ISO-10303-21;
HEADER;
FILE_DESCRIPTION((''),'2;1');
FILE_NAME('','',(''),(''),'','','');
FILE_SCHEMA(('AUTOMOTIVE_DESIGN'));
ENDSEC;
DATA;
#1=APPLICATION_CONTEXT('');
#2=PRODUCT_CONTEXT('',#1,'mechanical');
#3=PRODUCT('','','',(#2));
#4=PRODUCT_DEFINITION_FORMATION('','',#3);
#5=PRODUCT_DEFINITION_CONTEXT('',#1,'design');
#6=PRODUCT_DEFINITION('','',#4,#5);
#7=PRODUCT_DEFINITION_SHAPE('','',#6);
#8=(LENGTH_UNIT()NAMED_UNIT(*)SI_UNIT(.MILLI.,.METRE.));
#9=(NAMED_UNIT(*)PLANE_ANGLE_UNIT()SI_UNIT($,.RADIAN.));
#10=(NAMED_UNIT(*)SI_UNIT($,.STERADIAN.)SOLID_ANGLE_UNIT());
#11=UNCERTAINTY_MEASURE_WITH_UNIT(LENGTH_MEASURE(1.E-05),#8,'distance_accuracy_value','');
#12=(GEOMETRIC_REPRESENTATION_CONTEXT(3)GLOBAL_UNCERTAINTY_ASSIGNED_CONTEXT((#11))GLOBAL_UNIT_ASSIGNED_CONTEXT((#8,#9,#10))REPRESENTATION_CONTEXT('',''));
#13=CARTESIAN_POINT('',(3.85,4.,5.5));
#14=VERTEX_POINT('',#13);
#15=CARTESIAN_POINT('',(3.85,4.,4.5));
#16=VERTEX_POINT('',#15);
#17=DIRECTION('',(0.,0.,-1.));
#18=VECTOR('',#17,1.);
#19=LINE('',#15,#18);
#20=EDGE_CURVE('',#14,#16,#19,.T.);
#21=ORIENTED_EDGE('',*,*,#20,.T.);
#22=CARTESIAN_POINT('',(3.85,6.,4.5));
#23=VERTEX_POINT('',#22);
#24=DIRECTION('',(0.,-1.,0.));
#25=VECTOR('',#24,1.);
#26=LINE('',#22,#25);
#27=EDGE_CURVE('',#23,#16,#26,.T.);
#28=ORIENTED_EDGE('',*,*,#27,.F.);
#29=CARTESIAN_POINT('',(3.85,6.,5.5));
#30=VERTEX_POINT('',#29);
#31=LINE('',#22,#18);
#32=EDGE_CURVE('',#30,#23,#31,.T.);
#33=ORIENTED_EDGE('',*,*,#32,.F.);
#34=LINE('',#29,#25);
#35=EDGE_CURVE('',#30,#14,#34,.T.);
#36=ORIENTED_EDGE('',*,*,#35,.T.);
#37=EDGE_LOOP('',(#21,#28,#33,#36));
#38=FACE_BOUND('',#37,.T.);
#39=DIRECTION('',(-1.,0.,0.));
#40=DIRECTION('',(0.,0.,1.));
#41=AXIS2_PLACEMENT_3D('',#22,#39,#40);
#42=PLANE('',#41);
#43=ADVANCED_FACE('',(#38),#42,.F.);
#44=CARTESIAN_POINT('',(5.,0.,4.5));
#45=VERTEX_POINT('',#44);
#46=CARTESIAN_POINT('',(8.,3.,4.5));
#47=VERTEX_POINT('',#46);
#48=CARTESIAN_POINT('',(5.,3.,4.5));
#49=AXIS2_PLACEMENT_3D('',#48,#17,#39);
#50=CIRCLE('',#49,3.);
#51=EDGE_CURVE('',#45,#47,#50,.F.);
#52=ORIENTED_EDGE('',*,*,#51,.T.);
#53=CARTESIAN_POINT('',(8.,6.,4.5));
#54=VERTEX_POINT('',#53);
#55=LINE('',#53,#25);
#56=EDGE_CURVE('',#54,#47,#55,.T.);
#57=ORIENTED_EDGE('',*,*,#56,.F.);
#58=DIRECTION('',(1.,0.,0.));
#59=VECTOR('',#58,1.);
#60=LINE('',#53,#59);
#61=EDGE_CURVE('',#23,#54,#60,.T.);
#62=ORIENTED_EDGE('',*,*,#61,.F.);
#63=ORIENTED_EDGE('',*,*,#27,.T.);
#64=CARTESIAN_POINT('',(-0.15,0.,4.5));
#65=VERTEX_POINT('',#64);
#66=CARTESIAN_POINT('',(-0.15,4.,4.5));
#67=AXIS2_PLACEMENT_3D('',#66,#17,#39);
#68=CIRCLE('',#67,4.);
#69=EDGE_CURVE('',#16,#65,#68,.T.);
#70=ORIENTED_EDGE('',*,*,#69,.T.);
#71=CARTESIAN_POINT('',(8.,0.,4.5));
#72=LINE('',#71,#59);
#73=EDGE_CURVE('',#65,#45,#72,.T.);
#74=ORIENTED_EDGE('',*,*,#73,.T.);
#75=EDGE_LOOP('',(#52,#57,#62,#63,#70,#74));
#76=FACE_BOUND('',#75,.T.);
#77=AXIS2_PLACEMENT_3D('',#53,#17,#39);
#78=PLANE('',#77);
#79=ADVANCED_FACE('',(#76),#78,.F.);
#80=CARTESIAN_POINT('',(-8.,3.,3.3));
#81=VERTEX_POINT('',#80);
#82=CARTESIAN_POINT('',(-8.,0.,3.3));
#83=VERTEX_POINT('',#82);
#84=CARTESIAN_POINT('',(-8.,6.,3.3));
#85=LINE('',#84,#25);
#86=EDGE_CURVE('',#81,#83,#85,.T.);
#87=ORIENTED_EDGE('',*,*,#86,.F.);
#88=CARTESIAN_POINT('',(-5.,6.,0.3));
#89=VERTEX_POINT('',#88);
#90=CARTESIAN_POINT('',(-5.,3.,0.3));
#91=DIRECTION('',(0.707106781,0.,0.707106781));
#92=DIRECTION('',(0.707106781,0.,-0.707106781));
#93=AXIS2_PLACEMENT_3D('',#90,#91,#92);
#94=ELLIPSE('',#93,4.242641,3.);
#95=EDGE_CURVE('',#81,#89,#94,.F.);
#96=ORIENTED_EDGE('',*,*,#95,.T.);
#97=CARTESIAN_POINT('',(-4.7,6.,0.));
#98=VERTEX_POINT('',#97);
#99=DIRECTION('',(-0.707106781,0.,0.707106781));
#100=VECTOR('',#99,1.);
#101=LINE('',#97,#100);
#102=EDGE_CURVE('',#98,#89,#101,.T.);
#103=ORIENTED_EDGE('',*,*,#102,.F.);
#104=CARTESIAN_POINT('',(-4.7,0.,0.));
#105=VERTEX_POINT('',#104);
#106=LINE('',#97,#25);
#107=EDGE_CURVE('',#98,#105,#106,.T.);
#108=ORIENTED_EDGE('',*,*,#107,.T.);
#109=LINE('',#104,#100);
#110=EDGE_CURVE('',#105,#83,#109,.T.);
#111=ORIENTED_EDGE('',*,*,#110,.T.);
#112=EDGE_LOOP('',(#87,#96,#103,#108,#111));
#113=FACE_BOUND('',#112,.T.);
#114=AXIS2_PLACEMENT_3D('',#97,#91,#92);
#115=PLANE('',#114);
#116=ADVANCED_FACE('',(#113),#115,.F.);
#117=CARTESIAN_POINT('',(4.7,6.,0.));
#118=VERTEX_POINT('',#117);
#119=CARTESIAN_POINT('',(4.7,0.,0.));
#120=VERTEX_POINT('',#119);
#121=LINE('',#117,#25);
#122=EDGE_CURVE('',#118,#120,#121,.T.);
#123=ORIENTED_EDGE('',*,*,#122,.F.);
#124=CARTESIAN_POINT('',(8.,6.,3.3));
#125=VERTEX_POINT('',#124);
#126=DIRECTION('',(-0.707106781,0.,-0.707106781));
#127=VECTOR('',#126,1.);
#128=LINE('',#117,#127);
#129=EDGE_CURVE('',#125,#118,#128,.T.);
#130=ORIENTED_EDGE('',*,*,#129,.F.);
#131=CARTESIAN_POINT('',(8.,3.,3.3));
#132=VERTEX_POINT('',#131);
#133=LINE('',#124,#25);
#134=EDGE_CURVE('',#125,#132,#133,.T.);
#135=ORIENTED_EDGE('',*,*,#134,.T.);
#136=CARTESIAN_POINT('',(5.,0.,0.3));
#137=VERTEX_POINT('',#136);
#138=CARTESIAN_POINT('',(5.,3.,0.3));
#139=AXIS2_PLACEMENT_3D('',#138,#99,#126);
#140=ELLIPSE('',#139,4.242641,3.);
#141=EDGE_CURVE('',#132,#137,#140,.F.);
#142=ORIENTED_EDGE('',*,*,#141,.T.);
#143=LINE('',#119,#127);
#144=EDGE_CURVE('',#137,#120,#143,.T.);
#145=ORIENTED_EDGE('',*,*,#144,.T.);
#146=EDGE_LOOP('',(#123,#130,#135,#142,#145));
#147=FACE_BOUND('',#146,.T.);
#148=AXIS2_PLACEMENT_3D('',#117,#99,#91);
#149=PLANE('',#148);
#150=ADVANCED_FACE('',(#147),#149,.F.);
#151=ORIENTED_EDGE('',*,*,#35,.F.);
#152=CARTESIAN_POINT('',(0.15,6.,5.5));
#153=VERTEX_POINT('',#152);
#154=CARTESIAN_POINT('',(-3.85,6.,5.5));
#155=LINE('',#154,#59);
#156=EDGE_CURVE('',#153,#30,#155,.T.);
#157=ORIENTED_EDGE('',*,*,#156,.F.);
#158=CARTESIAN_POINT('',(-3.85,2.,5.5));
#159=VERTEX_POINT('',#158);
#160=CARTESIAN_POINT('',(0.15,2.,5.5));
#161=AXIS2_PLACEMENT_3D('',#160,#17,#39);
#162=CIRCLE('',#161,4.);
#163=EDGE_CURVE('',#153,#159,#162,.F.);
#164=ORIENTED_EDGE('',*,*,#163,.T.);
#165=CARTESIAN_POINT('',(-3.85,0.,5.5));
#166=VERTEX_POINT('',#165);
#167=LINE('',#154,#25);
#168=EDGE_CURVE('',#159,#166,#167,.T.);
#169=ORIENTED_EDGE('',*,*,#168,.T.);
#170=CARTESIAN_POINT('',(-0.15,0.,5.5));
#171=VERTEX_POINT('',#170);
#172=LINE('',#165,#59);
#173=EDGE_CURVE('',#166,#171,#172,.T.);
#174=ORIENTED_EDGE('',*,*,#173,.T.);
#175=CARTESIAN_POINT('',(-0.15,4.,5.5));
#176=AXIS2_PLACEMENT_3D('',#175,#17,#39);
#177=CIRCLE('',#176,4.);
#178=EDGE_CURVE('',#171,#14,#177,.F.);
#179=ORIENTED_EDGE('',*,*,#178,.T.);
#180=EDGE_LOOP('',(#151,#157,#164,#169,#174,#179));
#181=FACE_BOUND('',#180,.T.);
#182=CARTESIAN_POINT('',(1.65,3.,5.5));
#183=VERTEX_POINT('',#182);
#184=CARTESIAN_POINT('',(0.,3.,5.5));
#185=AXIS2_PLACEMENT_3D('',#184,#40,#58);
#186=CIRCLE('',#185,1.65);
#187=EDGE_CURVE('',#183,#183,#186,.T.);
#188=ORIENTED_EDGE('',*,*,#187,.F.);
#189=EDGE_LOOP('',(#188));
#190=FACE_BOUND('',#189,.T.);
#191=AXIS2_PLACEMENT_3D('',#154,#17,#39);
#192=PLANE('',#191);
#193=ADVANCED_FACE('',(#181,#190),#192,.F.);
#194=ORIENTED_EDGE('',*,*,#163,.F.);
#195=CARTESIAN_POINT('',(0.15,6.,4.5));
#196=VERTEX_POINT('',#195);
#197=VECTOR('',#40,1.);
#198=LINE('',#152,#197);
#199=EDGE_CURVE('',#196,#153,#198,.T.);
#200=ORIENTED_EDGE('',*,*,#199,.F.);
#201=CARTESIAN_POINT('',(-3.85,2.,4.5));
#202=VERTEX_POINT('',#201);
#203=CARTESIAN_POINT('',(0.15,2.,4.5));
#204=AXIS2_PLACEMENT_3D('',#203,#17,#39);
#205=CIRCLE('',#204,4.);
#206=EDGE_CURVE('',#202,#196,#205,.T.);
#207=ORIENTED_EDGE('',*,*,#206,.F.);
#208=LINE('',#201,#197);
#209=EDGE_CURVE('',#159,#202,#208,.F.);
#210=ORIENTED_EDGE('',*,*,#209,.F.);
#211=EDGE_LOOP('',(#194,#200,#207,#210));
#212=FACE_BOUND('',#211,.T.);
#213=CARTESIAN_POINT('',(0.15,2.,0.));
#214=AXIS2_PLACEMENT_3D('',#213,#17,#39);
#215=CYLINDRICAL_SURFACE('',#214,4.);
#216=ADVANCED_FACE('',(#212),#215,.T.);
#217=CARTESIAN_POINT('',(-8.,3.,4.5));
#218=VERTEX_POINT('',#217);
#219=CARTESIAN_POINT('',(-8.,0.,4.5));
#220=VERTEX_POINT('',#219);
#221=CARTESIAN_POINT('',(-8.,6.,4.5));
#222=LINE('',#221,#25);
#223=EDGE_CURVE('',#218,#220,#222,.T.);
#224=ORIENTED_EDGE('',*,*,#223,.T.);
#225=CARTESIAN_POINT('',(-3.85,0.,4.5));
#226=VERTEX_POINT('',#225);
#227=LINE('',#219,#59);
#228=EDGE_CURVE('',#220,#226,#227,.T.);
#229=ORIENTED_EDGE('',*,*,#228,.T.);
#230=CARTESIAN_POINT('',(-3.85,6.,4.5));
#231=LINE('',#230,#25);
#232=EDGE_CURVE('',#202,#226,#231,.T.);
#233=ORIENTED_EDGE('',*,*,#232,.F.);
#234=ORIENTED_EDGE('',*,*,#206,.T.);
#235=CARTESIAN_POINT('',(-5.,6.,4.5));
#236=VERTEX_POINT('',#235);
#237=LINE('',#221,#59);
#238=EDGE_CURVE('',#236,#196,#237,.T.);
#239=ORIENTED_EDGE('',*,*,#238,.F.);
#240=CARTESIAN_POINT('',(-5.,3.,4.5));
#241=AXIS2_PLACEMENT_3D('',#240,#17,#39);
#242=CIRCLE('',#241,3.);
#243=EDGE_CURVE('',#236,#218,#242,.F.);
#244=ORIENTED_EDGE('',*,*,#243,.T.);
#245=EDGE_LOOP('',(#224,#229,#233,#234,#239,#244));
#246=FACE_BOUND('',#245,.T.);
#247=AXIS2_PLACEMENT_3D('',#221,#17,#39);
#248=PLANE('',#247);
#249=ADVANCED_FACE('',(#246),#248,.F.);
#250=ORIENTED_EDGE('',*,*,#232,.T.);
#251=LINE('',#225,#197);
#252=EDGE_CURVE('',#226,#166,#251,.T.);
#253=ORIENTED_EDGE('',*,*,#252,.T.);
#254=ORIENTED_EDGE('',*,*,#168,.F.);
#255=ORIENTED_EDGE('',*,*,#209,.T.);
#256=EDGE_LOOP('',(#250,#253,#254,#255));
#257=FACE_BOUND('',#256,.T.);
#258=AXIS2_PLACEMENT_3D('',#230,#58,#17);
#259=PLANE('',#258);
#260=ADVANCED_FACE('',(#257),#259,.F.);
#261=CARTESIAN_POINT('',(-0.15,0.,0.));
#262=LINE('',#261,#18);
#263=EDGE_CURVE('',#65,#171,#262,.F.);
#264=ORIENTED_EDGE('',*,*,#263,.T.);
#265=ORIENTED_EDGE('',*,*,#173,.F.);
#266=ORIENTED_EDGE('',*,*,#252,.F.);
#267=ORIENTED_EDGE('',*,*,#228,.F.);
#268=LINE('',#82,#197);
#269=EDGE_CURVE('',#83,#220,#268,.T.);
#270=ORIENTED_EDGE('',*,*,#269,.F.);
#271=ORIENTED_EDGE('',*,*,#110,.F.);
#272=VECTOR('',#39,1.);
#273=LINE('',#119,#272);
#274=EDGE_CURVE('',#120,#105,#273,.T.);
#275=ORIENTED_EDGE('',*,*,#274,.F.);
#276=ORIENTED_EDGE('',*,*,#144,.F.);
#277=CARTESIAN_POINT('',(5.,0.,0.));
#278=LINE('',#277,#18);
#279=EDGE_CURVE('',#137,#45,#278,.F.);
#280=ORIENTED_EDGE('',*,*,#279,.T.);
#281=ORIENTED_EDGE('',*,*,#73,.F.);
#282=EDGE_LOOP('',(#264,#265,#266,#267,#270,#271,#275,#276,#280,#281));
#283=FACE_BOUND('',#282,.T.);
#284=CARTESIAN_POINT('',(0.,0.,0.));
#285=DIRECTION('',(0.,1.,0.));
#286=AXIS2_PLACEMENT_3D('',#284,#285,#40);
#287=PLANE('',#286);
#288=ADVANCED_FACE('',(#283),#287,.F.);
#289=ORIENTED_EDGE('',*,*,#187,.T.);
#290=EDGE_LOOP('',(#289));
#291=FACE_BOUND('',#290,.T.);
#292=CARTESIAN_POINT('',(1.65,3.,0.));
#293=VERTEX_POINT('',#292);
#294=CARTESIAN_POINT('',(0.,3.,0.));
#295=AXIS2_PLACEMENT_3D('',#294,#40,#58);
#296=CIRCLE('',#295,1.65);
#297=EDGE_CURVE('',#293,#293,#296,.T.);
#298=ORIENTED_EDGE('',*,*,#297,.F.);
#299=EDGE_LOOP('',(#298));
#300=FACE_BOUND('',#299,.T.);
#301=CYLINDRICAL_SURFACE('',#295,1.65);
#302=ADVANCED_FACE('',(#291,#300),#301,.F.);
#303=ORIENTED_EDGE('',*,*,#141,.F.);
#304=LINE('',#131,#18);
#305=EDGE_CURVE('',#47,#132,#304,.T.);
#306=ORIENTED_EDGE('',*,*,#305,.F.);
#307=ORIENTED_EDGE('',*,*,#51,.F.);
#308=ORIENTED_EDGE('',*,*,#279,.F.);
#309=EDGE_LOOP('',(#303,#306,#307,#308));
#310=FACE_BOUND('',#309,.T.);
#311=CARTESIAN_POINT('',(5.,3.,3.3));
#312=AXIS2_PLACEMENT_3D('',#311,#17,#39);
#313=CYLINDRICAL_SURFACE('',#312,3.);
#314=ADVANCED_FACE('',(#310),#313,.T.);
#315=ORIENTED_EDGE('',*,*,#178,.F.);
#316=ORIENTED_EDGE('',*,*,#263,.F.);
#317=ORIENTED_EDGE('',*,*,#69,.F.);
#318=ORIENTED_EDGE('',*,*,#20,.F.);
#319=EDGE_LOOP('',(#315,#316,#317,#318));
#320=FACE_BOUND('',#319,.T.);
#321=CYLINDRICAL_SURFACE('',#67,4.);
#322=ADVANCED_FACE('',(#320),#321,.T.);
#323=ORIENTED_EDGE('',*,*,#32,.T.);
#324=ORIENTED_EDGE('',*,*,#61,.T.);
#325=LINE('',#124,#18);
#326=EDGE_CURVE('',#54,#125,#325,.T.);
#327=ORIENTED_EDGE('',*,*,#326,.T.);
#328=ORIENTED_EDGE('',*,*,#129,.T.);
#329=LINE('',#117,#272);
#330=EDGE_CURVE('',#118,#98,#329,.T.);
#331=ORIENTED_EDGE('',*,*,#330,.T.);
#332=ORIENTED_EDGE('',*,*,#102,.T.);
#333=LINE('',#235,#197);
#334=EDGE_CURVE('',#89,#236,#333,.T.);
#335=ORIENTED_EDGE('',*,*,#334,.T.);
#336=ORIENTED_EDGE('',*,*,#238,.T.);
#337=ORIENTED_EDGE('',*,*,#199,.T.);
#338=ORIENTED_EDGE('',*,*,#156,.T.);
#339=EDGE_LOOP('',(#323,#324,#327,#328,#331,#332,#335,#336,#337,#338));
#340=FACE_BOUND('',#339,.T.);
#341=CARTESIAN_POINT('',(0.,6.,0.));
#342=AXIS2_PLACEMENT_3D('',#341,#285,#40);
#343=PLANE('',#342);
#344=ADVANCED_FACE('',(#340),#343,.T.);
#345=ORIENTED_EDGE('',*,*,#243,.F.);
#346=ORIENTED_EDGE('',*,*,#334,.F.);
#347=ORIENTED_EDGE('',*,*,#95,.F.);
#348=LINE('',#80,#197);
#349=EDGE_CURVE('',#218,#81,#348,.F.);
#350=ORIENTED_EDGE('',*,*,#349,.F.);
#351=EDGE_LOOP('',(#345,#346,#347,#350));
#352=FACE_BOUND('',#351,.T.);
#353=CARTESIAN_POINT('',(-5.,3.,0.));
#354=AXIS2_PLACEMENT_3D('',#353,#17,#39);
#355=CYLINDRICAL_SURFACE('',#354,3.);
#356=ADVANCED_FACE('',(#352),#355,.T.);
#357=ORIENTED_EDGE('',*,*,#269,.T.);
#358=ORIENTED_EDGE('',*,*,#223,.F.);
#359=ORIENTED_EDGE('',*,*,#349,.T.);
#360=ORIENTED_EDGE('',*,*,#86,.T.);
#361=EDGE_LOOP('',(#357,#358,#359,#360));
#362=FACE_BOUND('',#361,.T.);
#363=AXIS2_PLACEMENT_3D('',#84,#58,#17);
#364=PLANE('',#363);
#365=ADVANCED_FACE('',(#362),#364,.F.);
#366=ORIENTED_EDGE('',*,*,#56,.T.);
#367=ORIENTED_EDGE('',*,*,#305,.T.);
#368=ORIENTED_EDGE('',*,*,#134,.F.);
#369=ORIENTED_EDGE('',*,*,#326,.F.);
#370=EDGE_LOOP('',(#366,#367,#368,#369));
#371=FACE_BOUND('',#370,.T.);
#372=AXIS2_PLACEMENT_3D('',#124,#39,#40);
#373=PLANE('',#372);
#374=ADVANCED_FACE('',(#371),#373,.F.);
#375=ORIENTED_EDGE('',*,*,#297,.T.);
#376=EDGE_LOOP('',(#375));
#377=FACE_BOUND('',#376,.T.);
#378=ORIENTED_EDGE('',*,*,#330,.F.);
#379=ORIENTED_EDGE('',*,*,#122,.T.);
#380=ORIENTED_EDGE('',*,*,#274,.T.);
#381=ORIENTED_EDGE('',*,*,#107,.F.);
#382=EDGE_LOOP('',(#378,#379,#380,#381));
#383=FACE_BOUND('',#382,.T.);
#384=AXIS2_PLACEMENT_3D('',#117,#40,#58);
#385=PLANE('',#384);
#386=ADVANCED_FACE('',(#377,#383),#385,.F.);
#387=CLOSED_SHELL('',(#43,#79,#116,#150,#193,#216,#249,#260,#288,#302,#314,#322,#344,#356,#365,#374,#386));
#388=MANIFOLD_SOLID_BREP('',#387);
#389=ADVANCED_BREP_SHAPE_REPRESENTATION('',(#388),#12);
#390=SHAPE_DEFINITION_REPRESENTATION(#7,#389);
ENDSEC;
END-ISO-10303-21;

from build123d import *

# Parameters (mm, degrees)
BOSS_EXTRUDE1_DEPTH = 6
SKETCH2_R           = 1.65
CUT_EXTRUDE1_DEPTH  = 6.5
FILLET1_R           = 4
FILLET2_R           = 3


with BuildPart() as part:
    # Sketch1 → Boss-Extrude1 (new body)
    with BuildSketch(Plane(origin=(0, 0, 0), x_dir=(1, 0, 0), z_dir=(0, 1, 0))):
        Polygon((4.7, 0), (-4.7, 0), (-8, -3.3), (-8, -4.5), (-3.85, -4.5), (-3.85, -5.5), (3.85, -5.5), (3.85, -4.5), (8, -4.5), (8, -3.3), align=None)
    extrude(amount=BOSS_EXTRUDE1_DEPTH)

    # Sketch2 → Cut-Extrude1 (cut, through all)
    with BuildSketch(Plane.XY.offset(5.5)):
        with Locations((0, 3)):
            Circle(SKETCH2_R)
    extrude(amount=-CUT_EXTRUDE1_DEPTH, mode=Mode.SUBTRACT)

    # Fillet1
    fillet1_edges = [part.edges().sort_by_distance(p)[0] for p in [
        (3.85, 0, 5),
        (-3.85, 6, 5),
    ]]
    fillet(fillet1_edges, radius=FILLET1_R)

    # Fillet2
    fillet2_edges = [part.edges().sort_by_distance(p)[0] for p in [
        (8, 0, 3.9),
        (-8, 6, 3.9),
    ]]
    fillet(fillet2_edges, radius=FILLET2_R)


solid = part.part
